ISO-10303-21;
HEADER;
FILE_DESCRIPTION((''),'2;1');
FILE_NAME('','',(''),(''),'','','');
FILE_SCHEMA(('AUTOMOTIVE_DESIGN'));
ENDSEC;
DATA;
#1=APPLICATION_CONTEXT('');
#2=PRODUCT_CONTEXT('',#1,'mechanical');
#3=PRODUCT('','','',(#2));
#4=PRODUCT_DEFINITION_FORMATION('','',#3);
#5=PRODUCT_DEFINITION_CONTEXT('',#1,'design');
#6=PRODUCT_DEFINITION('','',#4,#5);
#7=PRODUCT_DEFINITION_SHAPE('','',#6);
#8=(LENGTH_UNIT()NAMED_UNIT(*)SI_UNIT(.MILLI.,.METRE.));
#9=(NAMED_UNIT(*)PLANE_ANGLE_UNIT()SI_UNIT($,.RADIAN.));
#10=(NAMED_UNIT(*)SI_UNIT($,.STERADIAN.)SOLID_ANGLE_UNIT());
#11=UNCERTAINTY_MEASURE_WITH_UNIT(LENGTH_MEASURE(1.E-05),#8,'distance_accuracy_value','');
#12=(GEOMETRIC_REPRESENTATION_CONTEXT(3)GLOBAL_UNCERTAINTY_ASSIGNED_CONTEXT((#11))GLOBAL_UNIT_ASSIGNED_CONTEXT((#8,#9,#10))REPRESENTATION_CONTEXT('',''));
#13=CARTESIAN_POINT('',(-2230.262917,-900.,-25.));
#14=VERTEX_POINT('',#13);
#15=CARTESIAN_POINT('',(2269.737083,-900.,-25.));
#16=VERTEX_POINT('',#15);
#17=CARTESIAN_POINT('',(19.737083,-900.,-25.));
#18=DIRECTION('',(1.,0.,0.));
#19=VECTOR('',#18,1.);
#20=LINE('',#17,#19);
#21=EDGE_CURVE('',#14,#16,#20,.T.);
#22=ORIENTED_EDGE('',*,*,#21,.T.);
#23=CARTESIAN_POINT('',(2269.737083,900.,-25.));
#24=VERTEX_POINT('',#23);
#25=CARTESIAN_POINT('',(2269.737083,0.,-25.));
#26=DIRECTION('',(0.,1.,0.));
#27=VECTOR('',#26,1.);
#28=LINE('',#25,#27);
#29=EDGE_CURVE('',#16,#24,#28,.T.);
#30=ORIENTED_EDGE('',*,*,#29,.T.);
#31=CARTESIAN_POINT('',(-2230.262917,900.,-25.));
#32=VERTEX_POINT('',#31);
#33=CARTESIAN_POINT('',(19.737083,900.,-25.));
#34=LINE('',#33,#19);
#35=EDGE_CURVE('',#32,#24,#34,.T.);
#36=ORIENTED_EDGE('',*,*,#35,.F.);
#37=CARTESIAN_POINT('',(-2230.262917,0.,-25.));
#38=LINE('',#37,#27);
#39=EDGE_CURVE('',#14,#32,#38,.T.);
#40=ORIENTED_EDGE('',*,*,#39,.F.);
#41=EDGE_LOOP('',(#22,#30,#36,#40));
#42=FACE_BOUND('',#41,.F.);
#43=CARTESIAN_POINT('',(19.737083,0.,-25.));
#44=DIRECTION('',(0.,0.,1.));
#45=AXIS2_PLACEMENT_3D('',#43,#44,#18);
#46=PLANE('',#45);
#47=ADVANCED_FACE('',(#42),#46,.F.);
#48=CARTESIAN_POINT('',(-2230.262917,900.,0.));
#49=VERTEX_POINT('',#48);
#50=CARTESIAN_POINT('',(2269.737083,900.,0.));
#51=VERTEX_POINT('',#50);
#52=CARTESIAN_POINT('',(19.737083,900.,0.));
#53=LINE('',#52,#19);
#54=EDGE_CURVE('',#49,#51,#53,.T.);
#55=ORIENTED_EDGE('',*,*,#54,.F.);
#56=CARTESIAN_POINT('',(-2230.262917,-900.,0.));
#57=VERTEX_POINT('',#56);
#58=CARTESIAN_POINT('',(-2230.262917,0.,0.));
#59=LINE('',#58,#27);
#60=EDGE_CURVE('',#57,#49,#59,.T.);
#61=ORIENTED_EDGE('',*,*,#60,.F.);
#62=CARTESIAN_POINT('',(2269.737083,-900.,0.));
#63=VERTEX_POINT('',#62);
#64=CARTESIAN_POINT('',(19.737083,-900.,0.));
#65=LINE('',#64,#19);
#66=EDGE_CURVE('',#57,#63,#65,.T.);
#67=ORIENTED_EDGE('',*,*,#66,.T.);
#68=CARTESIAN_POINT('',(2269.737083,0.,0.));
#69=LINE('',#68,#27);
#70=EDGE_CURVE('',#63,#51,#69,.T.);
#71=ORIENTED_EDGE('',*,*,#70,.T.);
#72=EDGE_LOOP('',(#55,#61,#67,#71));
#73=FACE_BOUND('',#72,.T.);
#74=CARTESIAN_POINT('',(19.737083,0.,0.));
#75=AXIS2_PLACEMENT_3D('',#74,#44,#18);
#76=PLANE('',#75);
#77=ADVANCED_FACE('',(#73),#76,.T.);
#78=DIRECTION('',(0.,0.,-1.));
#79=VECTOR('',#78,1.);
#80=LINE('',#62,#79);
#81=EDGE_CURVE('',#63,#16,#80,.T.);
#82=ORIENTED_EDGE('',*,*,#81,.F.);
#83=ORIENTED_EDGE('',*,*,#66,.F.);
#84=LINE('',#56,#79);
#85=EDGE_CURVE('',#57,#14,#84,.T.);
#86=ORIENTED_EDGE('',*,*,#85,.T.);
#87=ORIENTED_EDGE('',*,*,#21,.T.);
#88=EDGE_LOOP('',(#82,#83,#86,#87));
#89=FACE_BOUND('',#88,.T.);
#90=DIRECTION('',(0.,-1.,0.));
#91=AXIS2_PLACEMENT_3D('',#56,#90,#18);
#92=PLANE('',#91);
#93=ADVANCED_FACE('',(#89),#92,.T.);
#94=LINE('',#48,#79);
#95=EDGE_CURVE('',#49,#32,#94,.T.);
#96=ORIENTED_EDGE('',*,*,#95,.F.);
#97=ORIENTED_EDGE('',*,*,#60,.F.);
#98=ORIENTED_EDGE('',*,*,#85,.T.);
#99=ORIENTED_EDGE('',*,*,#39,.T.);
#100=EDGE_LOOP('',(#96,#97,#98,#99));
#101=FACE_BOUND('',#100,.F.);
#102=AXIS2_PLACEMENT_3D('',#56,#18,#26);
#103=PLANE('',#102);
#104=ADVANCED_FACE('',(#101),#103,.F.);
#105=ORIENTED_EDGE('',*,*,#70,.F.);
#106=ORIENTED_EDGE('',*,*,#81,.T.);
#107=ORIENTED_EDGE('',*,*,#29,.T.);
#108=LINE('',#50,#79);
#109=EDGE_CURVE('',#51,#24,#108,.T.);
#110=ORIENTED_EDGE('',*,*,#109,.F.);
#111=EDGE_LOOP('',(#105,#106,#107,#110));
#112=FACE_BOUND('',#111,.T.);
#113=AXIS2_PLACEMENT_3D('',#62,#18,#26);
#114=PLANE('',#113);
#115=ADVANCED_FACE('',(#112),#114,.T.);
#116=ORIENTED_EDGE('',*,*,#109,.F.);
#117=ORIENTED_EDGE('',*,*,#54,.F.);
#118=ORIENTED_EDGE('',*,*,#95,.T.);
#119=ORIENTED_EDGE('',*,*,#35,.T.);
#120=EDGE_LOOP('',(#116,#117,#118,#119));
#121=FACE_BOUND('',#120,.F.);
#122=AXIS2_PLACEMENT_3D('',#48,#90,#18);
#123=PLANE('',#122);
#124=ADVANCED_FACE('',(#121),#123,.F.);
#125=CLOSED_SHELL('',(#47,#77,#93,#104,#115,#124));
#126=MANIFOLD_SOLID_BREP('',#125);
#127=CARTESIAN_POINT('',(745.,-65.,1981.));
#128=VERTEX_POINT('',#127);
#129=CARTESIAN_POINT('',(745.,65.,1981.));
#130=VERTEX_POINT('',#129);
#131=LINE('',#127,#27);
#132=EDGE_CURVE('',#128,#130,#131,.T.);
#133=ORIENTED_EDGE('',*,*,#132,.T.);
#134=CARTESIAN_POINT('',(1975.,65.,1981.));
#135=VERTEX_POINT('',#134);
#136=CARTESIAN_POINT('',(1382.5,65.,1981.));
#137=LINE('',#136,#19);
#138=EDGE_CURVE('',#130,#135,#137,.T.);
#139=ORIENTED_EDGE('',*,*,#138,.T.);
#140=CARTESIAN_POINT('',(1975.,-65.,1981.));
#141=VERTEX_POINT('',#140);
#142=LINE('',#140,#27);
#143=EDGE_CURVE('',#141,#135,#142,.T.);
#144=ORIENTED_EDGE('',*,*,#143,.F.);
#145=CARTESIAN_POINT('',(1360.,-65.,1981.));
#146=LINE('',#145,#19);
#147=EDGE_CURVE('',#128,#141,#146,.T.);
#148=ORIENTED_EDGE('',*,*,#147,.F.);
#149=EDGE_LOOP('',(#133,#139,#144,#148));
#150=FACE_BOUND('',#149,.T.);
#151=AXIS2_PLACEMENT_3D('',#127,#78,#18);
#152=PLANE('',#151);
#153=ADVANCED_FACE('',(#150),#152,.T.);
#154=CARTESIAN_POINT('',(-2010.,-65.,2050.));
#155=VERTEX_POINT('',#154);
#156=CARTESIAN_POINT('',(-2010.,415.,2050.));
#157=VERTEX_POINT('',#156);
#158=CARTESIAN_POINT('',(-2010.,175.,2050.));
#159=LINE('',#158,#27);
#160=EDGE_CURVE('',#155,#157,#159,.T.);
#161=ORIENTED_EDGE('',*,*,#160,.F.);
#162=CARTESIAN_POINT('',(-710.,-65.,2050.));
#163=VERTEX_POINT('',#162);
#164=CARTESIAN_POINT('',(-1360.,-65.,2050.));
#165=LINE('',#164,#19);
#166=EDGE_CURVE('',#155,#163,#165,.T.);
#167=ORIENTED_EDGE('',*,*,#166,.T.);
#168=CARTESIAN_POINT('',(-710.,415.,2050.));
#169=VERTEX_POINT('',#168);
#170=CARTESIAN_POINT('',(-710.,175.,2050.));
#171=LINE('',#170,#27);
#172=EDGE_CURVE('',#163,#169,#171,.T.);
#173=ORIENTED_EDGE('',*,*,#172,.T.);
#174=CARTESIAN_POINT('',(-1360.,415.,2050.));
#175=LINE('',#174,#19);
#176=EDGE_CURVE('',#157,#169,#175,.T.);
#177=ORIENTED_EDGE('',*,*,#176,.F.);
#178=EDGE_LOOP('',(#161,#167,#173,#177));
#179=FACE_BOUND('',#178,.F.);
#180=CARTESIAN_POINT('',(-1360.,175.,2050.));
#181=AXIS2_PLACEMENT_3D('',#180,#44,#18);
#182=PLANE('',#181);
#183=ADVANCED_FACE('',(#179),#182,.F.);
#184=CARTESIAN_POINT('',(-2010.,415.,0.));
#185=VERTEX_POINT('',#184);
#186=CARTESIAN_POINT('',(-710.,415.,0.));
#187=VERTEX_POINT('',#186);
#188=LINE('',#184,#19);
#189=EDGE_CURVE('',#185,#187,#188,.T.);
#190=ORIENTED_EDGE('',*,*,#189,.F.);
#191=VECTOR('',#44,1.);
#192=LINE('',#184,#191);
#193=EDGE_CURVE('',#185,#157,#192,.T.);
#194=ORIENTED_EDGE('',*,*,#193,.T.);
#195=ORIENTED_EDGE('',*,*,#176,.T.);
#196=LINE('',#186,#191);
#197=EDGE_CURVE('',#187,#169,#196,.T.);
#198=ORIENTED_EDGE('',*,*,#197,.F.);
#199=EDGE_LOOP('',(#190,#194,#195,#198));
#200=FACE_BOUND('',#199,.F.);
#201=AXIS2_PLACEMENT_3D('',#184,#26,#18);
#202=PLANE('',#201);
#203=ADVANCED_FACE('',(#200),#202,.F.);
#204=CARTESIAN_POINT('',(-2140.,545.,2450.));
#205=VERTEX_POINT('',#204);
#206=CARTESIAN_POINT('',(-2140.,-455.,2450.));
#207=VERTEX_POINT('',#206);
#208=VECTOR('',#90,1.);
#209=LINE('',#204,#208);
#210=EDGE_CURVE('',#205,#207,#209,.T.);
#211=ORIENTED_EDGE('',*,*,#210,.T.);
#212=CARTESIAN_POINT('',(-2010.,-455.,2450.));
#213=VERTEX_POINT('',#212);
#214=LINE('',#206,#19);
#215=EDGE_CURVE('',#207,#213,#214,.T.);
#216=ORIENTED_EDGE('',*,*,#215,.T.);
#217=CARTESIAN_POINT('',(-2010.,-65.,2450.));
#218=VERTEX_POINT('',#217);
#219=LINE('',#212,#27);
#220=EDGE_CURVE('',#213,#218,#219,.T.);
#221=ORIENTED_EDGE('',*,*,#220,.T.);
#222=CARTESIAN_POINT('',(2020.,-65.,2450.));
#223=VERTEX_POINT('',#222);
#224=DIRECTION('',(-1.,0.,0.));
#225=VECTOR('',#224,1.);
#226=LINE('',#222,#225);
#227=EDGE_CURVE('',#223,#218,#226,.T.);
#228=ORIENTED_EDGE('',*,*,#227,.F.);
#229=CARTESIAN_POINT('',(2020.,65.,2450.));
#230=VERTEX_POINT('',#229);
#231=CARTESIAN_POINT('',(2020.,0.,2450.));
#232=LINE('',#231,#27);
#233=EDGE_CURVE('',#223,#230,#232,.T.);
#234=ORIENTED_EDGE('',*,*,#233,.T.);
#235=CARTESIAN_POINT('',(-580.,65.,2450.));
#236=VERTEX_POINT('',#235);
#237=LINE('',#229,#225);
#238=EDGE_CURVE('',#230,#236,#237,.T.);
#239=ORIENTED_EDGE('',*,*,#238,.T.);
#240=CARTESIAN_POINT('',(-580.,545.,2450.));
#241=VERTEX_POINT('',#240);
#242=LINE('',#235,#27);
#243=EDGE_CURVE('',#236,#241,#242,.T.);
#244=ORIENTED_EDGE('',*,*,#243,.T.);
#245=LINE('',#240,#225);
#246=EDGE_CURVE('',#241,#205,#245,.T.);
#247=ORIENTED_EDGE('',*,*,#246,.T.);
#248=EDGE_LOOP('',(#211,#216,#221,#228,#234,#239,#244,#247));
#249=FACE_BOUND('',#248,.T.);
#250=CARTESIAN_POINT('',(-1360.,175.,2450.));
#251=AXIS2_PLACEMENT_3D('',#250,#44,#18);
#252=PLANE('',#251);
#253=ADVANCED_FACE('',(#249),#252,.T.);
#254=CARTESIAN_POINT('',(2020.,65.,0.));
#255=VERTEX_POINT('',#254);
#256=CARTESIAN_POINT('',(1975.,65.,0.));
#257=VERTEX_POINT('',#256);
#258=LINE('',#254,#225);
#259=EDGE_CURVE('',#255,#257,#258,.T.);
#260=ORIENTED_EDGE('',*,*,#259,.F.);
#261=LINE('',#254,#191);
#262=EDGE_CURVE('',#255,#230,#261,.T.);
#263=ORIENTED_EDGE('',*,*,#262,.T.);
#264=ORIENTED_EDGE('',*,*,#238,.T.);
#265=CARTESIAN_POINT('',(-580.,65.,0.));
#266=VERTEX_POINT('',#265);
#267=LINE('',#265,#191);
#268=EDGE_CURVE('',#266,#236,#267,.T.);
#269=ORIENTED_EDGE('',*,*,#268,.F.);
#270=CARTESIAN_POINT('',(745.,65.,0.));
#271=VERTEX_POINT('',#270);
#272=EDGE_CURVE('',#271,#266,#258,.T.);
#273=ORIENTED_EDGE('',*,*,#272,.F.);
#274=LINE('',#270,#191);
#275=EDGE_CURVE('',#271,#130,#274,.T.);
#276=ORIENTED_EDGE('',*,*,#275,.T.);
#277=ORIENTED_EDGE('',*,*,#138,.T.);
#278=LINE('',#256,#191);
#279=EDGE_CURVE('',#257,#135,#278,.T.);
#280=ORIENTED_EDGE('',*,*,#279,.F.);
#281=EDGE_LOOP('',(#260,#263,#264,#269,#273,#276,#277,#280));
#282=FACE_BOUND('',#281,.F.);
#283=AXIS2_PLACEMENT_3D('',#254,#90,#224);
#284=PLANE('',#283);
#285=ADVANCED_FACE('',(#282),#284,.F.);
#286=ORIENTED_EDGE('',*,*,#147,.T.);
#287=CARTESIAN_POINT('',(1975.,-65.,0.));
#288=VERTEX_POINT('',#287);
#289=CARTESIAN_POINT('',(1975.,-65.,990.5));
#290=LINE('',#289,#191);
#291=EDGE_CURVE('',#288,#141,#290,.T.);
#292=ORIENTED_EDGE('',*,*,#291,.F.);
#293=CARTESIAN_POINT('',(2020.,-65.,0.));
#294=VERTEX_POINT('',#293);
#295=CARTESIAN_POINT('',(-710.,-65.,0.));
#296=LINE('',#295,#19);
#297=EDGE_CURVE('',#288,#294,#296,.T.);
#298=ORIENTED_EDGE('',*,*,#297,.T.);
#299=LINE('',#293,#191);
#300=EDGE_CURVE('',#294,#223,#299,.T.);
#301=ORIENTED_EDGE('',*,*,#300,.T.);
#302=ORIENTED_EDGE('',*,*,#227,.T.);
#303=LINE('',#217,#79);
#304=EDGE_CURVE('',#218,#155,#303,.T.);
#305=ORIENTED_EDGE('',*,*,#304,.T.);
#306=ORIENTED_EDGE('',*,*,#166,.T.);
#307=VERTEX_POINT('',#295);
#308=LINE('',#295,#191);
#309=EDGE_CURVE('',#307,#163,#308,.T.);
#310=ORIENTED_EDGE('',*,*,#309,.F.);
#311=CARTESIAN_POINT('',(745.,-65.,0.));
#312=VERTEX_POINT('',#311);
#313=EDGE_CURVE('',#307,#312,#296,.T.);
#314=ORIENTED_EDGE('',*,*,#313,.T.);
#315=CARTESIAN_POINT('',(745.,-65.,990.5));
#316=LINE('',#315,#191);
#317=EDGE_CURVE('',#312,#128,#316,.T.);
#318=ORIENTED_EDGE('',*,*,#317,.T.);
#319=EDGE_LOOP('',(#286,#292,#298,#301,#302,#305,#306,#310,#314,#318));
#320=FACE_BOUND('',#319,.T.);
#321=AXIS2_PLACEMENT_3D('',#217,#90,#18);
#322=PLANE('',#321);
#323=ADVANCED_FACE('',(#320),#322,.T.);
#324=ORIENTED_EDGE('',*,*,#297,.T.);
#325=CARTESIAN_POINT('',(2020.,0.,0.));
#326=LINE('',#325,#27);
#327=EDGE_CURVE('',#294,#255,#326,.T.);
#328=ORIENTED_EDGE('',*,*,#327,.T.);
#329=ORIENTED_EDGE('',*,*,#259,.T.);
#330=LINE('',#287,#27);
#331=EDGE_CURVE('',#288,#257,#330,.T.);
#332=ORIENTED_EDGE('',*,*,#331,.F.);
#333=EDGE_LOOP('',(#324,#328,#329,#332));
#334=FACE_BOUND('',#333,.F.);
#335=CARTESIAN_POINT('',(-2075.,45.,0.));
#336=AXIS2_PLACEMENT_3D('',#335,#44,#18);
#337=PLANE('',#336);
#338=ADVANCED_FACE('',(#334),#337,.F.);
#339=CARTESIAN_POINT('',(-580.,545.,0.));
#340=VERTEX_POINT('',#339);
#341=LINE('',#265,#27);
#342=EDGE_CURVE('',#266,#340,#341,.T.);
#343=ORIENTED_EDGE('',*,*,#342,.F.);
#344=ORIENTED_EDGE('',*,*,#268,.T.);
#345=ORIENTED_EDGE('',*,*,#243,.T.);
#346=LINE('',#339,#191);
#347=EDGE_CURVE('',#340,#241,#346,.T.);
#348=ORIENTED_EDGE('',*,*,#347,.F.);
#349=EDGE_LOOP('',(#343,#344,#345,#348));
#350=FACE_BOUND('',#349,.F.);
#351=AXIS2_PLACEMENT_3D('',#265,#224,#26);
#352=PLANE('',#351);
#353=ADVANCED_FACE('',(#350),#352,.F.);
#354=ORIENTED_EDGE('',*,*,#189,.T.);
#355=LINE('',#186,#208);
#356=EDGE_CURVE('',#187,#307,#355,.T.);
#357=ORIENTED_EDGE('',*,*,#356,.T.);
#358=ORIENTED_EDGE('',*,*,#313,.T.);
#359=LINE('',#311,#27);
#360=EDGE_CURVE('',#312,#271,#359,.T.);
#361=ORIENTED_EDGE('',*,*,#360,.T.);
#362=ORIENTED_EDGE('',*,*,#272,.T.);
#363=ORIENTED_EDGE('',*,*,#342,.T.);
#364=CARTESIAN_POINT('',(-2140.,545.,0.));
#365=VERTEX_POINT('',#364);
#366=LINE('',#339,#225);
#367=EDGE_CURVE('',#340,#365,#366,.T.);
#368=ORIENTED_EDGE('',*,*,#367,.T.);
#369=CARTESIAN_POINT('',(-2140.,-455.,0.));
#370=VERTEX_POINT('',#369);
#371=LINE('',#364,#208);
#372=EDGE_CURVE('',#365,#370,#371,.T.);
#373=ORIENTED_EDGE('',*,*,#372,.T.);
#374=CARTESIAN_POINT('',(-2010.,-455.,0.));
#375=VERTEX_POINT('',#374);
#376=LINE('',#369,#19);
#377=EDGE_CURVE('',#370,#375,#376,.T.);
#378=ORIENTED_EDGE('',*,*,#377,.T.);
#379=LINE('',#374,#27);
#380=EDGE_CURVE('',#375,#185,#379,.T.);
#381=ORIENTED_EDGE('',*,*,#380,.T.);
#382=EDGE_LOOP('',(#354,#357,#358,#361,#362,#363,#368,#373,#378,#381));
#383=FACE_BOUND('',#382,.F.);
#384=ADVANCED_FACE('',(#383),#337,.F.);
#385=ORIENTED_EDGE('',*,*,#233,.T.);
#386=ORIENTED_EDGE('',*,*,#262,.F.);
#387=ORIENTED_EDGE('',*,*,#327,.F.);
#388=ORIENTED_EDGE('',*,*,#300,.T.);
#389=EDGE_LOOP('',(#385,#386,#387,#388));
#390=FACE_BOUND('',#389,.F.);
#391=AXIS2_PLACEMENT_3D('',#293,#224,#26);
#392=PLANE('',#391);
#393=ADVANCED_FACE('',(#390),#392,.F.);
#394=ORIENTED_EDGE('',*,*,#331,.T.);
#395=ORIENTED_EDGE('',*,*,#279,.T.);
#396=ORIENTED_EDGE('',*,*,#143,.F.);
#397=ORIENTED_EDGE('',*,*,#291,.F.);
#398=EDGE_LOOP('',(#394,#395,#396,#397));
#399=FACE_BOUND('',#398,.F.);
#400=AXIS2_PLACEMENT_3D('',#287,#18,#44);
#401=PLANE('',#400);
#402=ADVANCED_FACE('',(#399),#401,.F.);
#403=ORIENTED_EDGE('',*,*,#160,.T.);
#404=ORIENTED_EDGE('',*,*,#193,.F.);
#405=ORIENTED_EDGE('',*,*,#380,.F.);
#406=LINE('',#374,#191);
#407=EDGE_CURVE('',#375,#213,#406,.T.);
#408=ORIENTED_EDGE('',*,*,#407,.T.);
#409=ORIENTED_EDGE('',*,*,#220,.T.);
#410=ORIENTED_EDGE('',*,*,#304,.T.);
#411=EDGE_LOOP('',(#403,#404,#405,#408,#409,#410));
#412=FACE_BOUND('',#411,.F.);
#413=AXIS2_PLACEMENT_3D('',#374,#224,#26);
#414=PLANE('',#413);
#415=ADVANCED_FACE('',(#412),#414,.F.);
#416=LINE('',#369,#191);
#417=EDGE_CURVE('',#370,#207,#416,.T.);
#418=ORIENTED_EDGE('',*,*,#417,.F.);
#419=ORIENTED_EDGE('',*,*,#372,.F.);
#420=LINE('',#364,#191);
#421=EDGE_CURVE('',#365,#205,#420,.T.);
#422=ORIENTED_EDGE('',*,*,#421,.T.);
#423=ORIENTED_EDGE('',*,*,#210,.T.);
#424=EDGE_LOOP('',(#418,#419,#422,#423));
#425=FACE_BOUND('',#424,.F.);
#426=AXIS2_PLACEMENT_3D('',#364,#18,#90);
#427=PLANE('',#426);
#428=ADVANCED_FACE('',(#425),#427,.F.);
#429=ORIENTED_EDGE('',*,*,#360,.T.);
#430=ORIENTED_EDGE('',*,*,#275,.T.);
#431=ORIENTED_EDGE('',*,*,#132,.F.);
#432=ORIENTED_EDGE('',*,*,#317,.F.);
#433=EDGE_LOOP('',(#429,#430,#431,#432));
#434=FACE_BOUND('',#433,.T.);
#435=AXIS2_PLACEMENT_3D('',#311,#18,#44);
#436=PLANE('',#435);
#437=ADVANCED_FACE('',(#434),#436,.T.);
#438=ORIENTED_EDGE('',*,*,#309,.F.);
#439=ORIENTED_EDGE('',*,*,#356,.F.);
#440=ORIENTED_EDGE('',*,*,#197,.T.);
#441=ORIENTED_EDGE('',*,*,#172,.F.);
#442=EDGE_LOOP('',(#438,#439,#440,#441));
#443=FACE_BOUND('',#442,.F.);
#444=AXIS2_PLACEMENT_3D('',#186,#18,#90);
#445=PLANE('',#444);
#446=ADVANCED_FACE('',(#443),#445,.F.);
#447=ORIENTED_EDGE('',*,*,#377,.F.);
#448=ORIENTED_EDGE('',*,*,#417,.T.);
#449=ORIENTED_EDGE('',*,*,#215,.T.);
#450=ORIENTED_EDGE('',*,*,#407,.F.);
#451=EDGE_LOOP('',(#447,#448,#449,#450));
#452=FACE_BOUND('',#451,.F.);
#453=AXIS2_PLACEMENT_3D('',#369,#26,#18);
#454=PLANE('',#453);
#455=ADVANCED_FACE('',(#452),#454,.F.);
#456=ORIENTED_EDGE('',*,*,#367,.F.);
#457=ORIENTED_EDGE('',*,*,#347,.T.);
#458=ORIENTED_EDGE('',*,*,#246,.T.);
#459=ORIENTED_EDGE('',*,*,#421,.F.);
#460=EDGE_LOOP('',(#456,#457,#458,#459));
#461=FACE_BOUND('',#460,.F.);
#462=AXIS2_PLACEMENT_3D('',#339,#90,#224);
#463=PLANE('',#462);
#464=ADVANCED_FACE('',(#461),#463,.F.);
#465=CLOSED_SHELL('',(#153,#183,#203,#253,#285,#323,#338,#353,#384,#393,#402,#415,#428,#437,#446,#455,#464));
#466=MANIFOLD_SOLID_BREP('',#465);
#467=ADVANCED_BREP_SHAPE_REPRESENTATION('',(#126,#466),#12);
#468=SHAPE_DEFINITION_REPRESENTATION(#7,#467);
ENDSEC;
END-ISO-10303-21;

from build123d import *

# Parameters (mm, degrees)
F0_W     = 130
F0_H     = 350
F0_W_2   = 1310
F0_H_2   = 130
F1_DEPTH = 2450
F2_W     = 1300
F2_H     = 480
F3_DEPTH = 400
F4_W     = 1230
F4_H     = 1981
F5_DEPTH = 610.001
F6_W     = 4500
F6_H     = 1800
F7_DEPTH = 25


with BuildPart() as f1:
    # F0 (on Top) → F1 (new body)
    with BuildSketch(Plane.XY):
        Polygon((-2010, -455), (-2010, 415), (-2010, 545), (-2140, 545), (-2140, -455), align=None)
        Polygon((-2010, 415), (-710, 415), (-580, 415), (-580, 545), (-2010, 545), align=None)
        with Locations((-645, 240)):
            Rectangle(F0_W, F0_H)
        Polygon((-710, -65), (710, -65), (710, 65), (-580, 65), (-710, 65), align=None)
        with Locations((1365, 0)):
            Rectangle(F0_W_2, F0_H_2)
    extrude(amount=F1_DEPTH)

    # F2 (on face) → F3 (join)
    with BuildSketch(Plane.XY.offset(2450)):
        with Locations((-1360, 175)):
            Rectangle(F2_W, F2_H)
    extrude(amount=-F3_DEPTH)

    # F4 (on face) → F5 (cut, through all)
    with BuildSketch(Plane.XZ.offset(65)):
        with Locations((1360, 990.5)):
            Rectangle(F4_W, F4_H)
    extrude(amount=-F5_DEPTH, mode=Mode.SUBTRACT)


with BuildPart() as f7:
    # F6 (on Top) → F7 (new body)
    with BuildSketch(Plane.XY):
        with Locations((19.737083, 0)):
            Rectangle(F6_W, F6_H)
    extrude(amount=-F7_DEPTH)


solid = Compound([f1.part, f7.part])
